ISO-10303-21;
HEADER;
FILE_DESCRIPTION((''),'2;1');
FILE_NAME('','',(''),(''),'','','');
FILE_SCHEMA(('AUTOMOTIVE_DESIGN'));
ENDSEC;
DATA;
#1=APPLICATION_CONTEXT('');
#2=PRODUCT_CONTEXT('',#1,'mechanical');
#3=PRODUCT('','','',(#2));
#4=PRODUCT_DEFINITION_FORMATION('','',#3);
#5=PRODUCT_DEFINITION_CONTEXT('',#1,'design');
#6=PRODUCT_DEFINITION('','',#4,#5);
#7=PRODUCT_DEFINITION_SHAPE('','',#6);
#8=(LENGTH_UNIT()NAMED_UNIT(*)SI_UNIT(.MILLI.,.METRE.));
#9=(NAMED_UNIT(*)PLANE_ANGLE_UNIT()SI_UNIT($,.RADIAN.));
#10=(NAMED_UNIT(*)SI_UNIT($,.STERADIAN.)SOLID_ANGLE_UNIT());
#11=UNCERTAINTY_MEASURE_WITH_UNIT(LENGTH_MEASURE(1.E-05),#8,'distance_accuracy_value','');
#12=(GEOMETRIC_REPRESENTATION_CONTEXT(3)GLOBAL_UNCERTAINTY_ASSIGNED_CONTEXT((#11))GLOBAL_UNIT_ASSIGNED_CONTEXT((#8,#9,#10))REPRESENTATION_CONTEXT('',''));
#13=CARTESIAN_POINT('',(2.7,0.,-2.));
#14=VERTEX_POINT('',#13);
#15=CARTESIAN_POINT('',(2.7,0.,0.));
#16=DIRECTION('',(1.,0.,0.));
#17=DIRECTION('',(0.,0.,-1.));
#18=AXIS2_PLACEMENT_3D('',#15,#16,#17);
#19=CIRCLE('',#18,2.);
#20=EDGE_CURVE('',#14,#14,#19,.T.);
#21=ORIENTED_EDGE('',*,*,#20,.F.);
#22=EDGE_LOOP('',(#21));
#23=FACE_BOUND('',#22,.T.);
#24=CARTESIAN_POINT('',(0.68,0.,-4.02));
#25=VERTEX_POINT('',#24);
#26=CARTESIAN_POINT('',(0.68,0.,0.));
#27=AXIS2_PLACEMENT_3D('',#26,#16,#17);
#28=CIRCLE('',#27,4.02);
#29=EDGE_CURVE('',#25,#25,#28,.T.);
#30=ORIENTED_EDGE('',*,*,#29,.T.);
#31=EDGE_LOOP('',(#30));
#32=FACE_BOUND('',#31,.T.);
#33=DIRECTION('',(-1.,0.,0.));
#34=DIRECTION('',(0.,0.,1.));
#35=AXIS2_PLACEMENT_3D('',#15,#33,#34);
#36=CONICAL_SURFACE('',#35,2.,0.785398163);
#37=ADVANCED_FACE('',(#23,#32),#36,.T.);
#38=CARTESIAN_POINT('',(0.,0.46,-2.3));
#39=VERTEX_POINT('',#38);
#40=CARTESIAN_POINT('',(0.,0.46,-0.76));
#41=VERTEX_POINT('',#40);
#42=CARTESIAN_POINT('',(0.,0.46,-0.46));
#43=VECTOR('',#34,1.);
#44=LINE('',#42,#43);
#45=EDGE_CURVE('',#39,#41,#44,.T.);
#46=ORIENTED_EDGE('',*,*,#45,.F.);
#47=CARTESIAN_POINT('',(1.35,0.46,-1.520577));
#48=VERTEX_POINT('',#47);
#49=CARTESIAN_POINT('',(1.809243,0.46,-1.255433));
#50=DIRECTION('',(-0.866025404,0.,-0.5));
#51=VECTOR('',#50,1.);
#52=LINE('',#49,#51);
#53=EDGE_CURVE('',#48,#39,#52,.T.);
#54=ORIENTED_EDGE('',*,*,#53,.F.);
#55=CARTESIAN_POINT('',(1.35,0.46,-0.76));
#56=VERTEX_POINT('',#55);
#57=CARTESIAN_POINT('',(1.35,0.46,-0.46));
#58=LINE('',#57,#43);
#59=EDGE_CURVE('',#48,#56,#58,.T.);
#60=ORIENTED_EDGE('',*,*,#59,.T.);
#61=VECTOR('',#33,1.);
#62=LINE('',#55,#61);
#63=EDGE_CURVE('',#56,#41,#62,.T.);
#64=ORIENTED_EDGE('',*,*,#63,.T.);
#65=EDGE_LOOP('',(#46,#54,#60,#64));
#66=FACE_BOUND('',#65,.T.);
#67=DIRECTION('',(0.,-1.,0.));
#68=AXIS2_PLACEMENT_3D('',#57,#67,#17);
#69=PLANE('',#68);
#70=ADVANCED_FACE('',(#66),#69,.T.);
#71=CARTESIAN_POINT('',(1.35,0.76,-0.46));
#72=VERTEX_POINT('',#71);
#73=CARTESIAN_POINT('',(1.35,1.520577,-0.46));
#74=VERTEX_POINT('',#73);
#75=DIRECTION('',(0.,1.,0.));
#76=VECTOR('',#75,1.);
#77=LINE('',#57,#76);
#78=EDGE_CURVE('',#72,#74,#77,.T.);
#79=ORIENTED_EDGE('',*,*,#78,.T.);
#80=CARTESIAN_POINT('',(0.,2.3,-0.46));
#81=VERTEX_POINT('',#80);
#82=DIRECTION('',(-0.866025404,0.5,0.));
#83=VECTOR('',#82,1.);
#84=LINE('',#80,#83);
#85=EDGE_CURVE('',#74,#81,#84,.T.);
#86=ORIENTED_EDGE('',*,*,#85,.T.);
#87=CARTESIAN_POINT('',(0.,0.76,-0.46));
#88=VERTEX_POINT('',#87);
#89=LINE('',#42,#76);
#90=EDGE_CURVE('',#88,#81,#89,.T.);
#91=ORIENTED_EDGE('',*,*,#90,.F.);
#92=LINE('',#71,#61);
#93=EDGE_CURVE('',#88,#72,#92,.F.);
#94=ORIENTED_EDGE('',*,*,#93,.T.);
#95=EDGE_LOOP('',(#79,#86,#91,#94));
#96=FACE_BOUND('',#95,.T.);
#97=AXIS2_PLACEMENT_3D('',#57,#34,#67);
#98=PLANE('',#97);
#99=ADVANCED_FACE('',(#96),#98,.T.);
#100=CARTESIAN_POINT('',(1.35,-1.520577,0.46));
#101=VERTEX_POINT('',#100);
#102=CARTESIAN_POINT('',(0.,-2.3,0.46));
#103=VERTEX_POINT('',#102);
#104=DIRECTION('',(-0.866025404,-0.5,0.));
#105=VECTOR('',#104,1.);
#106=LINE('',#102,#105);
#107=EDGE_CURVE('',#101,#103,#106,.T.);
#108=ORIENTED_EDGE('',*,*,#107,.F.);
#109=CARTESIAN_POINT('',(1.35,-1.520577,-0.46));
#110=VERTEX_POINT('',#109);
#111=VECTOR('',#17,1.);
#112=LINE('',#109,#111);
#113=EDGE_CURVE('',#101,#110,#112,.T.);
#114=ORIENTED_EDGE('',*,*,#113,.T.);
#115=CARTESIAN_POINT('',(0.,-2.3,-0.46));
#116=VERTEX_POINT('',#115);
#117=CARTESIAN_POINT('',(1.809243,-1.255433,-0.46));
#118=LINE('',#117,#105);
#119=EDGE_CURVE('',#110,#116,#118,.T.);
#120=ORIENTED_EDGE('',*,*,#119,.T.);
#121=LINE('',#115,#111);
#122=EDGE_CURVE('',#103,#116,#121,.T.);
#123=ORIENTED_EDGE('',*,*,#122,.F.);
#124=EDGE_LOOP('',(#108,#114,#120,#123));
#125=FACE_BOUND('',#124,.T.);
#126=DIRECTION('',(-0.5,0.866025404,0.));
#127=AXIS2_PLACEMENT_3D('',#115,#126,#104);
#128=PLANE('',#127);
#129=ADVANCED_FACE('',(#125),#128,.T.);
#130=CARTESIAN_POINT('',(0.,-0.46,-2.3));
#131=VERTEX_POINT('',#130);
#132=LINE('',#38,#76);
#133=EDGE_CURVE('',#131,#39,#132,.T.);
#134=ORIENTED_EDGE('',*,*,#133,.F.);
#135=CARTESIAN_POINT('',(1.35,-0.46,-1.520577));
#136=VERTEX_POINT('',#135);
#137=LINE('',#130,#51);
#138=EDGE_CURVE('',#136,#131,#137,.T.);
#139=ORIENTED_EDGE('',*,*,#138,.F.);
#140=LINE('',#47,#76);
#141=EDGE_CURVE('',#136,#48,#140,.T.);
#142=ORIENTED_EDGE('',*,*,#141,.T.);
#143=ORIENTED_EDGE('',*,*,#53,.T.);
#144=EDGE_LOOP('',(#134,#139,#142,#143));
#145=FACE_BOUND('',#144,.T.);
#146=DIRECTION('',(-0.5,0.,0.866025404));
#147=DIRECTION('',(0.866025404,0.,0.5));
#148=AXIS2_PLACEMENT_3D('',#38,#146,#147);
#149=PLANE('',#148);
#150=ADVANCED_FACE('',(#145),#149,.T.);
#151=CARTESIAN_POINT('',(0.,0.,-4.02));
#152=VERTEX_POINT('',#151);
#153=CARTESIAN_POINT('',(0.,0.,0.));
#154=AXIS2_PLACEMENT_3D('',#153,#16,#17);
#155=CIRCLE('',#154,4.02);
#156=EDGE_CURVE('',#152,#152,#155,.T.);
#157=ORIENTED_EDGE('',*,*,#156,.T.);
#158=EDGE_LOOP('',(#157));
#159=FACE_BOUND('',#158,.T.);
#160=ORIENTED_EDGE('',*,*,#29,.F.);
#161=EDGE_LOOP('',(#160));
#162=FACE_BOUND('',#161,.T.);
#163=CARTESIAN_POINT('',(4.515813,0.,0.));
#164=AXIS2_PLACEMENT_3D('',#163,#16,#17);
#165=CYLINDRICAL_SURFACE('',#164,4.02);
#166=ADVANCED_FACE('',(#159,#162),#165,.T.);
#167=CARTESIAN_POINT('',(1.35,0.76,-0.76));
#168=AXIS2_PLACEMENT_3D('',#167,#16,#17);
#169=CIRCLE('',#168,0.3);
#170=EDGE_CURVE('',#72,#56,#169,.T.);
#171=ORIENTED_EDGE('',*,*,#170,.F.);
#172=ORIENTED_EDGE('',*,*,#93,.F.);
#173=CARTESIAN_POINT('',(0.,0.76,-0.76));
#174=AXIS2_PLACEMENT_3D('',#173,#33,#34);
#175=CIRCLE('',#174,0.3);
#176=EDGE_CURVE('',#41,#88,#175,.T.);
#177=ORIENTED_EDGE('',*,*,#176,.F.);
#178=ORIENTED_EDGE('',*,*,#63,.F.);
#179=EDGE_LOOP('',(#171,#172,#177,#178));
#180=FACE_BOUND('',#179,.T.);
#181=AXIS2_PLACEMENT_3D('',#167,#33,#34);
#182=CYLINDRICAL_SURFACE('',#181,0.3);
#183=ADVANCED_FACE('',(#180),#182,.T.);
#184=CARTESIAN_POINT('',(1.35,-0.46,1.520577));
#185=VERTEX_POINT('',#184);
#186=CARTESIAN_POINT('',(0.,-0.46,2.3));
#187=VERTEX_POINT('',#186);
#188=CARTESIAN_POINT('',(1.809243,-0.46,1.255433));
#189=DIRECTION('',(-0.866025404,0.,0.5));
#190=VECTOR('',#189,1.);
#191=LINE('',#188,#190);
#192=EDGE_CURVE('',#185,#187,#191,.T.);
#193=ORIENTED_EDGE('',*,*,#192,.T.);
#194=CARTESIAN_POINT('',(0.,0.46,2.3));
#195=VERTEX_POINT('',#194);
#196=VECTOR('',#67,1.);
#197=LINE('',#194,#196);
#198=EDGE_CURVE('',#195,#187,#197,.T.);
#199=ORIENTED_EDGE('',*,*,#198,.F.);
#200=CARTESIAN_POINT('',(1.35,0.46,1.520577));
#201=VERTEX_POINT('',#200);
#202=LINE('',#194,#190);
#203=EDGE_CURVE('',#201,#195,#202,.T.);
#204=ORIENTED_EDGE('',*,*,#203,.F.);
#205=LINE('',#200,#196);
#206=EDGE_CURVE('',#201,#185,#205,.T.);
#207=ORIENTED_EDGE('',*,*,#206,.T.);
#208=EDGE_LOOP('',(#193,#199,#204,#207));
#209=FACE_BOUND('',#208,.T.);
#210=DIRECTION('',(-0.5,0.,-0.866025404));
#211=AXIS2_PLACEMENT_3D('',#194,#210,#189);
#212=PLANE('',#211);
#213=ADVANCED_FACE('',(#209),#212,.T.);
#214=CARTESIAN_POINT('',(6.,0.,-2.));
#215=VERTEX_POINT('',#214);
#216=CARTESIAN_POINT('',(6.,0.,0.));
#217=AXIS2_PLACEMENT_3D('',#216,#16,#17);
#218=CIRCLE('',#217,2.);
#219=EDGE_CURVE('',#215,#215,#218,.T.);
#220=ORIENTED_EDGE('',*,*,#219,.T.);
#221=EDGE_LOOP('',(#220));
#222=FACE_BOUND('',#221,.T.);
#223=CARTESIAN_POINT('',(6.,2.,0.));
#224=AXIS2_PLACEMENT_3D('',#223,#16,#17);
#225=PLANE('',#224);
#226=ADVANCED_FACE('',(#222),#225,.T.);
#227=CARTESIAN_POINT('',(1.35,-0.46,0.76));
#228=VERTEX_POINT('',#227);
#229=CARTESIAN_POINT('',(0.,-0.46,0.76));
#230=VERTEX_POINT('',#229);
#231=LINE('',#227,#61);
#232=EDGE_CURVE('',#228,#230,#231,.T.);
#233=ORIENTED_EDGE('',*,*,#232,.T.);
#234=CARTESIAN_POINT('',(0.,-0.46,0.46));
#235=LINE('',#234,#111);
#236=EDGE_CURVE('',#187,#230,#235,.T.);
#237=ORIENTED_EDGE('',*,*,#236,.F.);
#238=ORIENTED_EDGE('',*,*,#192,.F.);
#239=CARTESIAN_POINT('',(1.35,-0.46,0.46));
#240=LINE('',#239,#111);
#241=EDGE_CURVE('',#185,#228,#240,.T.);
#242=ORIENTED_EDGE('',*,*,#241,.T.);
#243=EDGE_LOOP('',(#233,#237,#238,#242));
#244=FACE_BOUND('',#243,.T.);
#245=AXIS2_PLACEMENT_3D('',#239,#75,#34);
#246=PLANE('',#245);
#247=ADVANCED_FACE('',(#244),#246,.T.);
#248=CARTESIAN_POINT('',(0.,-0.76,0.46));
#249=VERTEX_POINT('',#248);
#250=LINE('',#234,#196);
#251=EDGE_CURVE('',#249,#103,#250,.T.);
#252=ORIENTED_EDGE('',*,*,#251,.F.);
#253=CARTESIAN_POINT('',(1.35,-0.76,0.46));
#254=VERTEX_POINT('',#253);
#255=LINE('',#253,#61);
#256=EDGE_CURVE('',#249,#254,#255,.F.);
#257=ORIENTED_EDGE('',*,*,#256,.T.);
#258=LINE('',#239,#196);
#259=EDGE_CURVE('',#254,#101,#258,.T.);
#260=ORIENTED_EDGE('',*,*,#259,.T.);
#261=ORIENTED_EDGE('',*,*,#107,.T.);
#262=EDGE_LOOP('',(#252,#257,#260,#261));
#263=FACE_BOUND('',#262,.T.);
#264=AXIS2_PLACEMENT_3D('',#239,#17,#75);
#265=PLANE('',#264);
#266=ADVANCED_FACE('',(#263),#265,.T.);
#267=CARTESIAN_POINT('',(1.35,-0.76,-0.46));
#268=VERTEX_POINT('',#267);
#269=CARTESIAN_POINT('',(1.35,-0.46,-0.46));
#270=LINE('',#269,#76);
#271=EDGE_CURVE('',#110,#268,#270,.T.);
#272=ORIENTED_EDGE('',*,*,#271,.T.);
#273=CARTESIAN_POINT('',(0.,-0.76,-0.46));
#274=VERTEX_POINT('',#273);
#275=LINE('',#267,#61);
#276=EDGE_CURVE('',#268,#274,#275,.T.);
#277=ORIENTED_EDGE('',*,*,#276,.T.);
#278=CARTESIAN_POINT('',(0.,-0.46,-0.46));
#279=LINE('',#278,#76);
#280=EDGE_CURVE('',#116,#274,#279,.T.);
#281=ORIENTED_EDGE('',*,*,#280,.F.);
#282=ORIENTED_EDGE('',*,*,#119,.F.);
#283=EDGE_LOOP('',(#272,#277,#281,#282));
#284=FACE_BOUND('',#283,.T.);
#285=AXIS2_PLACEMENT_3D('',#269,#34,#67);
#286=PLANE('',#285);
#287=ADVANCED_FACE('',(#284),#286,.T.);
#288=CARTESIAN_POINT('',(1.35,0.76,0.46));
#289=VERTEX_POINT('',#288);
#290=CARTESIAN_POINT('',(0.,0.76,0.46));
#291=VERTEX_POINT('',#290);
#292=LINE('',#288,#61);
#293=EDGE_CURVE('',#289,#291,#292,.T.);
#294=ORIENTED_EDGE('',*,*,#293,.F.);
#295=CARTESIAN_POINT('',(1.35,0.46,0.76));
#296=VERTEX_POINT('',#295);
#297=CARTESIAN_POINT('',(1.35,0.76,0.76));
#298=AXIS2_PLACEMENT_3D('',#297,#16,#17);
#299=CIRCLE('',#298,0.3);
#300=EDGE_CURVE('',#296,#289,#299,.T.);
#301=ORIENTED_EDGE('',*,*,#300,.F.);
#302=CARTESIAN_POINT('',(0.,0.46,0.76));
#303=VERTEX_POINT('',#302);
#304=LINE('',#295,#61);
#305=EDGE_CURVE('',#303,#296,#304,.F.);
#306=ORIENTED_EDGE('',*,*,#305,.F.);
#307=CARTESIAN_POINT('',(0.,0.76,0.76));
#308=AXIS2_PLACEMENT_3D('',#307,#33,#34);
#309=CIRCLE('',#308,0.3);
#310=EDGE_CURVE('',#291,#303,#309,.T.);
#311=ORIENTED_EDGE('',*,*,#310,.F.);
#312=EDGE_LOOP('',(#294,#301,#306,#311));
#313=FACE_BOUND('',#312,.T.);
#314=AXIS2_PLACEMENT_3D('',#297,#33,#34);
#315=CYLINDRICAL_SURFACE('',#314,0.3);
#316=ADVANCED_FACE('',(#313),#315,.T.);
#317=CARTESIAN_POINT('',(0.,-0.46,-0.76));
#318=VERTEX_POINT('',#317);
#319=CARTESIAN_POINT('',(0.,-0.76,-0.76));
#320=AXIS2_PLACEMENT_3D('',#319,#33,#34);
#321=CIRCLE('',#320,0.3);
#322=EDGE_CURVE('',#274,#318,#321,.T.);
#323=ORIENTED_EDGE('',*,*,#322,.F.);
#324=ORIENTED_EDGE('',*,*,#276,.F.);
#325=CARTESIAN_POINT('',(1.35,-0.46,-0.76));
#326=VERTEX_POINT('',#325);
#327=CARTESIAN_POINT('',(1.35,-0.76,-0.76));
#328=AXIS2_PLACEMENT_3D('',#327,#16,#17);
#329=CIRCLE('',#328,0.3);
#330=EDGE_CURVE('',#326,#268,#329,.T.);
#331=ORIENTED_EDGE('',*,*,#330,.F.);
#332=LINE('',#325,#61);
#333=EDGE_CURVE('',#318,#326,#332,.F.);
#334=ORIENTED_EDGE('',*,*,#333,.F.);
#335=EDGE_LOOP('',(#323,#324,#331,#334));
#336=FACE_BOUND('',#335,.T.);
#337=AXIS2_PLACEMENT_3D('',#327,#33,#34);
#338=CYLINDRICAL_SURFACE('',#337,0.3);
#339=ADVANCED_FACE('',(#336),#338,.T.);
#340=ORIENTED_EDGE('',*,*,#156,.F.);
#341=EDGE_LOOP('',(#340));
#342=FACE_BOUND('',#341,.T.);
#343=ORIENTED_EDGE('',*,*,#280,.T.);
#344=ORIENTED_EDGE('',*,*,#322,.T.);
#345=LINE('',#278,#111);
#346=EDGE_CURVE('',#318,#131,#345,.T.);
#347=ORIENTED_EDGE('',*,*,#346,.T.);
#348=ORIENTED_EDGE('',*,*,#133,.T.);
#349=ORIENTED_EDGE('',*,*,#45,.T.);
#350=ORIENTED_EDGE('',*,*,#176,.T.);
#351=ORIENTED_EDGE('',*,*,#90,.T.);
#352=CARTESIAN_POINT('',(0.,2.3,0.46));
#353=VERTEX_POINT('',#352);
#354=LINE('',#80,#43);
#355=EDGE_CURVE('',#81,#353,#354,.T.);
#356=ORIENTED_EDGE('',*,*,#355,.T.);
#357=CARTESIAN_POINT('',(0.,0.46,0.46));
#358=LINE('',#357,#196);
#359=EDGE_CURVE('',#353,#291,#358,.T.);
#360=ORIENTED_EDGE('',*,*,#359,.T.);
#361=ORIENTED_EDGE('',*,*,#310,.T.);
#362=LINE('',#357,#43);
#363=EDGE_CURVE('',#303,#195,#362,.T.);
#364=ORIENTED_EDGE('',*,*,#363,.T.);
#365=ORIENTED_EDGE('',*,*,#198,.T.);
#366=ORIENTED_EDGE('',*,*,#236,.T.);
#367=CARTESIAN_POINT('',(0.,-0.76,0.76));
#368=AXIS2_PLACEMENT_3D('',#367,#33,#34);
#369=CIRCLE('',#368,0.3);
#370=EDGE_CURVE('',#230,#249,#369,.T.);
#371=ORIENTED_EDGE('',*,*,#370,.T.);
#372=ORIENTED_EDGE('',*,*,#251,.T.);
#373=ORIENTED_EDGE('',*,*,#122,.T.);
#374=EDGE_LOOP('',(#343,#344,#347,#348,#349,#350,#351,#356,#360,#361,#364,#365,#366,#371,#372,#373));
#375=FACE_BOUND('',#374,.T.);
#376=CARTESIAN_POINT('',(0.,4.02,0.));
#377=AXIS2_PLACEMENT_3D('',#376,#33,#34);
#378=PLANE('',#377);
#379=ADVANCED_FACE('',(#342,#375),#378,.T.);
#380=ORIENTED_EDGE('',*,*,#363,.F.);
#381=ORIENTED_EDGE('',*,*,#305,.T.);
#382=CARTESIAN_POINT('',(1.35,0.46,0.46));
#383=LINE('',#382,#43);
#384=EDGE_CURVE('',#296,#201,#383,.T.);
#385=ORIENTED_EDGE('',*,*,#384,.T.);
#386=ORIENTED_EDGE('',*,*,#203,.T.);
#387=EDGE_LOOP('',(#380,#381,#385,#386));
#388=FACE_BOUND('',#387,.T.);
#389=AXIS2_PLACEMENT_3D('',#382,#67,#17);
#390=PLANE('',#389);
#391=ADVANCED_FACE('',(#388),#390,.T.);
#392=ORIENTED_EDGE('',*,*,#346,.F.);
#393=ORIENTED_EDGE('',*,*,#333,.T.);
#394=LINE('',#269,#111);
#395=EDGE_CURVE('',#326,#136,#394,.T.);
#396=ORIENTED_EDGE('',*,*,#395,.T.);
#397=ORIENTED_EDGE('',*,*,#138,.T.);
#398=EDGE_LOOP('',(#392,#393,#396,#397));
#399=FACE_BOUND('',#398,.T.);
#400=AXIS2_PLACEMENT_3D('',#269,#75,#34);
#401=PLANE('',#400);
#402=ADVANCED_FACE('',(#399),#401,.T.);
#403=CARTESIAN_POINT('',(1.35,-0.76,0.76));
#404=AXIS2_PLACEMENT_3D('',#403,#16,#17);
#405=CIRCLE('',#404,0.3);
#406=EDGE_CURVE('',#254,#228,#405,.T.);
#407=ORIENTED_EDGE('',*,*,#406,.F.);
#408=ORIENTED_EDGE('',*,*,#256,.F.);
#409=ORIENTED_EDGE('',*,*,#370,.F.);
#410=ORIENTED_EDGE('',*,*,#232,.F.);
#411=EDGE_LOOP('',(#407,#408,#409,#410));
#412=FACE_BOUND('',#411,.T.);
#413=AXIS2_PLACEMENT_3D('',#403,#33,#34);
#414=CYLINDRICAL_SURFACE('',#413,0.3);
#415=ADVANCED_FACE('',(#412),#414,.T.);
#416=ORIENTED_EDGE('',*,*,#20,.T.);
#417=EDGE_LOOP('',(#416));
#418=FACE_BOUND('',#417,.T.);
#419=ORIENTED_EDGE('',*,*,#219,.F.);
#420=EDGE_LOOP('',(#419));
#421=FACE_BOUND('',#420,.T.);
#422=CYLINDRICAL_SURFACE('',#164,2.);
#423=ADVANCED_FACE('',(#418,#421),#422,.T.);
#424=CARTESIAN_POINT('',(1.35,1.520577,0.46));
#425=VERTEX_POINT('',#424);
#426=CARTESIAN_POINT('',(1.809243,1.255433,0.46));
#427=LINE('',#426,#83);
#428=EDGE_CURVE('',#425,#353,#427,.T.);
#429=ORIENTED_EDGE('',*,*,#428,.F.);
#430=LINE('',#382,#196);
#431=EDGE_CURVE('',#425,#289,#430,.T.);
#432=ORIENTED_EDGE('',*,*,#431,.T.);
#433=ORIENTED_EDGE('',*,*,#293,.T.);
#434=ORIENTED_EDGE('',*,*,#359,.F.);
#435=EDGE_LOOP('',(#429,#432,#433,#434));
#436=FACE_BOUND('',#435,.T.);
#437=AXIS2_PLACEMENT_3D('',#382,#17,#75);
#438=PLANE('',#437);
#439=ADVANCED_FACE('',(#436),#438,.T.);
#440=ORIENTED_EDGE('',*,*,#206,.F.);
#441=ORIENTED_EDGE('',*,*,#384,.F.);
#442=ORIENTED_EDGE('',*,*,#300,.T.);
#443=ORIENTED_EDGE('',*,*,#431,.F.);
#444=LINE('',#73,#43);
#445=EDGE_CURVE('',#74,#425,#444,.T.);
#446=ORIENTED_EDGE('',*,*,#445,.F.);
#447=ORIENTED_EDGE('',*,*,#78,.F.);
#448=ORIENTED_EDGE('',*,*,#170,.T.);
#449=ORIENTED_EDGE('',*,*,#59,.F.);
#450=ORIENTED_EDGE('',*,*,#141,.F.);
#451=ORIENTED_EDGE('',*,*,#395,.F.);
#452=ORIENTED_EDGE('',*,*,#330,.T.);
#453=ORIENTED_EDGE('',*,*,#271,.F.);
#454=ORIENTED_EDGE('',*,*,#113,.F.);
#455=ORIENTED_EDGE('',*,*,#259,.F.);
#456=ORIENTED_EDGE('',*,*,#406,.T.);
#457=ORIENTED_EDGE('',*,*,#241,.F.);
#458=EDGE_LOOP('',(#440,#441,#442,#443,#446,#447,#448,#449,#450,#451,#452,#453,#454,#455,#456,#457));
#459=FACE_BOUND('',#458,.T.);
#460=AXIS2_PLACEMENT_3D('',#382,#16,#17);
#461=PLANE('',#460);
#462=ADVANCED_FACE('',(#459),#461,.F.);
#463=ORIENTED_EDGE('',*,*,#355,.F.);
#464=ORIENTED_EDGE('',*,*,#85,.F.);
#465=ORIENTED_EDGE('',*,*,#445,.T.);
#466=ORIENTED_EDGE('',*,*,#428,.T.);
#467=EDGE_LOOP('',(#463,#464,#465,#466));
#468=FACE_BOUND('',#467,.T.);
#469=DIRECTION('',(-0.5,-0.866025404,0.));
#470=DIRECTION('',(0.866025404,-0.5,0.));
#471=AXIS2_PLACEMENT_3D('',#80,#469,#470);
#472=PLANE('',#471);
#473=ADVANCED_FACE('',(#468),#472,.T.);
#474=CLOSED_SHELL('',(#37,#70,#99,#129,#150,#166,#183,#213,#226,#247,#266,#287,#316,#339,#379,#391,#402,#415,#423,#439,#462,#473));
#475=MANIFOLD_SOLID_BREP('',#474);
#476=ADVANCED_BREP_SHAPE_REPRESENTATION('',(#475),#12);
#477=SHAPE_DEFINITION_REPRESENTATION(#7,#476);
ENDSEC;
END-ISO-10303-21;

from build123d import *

# Parameters (mm, degrees)
CROSSRECESS_DEPTH = 1.35
DRAFT9_ANGLE      = 30
FILLET5_R         = 0.3


with BuildPart() as part:
    # Sketch1 → Base (revolve)
    with BuildSketch(Plane.XY, mode=Mode.PRIVATE) as base_sk:
        Polygon((6, 2), (4.1, 2), (2.7, 2), (0.68, 4.02), (0, 4.02), (0, 0), (6, 0), align=None)
    revolve(base_sk.sketch.rotate(Axis((4.515812911, 0, 0), (-1, 0, 0)), 90), axis=Axis((4.515812911, 0, 0), (-1, 0, 0)))

    # Sketch6 → CrossRecess (cut)
    with BuildSketch(Plane(origin=(0, 0, 0), x_dir=(0, 0, -1), z_dir=(1, 0, 0))):
        Polygon((0.46, 0.46), (0.46, 2.3), (-0.46, 2.3), (-0.46, 0.46), (-2.3, 0.46), (-2.3, -0.46), (-0.46, -0.46), (-0.46, -2.3), (0.46, -2.3), (0.46, -0.46), (2.3, -0.46), (2.3, 0.46), align=None)
    extrude(amount=CROSSRECESS_DEPTH, mode=Mode.SUBTRACT)

    # Draft9
    draft9_faces = [part.faces().sort_by_distance(p)[0] for p in [
        (0.675, 2.3, 0),
        (0.675, 0, 2.3),
        (0.675, -2.3, 0),
        (0.675, 0, -2.3),
    ]]
    draft(draft9_faces, Plane(origin=(0, 4.02, 0), x_dir=(0, 0, -1), z_dir=(-1, 0, 0)), DRAFT9_ANGLE)

    # Fillet5
    fillet5_edges = [part.edges().sort_by_distance(p)[0] for p in [
        (0.675, 0.46, 0.46),
        (0.675, -0.46, 0.46),
        (0.675, -0.46, -0.46),
        (0.675, 0.46, -0.46),
    ]]
    fillet(fillet5_edges, radius=FILLET5_R)


solid = part.part
